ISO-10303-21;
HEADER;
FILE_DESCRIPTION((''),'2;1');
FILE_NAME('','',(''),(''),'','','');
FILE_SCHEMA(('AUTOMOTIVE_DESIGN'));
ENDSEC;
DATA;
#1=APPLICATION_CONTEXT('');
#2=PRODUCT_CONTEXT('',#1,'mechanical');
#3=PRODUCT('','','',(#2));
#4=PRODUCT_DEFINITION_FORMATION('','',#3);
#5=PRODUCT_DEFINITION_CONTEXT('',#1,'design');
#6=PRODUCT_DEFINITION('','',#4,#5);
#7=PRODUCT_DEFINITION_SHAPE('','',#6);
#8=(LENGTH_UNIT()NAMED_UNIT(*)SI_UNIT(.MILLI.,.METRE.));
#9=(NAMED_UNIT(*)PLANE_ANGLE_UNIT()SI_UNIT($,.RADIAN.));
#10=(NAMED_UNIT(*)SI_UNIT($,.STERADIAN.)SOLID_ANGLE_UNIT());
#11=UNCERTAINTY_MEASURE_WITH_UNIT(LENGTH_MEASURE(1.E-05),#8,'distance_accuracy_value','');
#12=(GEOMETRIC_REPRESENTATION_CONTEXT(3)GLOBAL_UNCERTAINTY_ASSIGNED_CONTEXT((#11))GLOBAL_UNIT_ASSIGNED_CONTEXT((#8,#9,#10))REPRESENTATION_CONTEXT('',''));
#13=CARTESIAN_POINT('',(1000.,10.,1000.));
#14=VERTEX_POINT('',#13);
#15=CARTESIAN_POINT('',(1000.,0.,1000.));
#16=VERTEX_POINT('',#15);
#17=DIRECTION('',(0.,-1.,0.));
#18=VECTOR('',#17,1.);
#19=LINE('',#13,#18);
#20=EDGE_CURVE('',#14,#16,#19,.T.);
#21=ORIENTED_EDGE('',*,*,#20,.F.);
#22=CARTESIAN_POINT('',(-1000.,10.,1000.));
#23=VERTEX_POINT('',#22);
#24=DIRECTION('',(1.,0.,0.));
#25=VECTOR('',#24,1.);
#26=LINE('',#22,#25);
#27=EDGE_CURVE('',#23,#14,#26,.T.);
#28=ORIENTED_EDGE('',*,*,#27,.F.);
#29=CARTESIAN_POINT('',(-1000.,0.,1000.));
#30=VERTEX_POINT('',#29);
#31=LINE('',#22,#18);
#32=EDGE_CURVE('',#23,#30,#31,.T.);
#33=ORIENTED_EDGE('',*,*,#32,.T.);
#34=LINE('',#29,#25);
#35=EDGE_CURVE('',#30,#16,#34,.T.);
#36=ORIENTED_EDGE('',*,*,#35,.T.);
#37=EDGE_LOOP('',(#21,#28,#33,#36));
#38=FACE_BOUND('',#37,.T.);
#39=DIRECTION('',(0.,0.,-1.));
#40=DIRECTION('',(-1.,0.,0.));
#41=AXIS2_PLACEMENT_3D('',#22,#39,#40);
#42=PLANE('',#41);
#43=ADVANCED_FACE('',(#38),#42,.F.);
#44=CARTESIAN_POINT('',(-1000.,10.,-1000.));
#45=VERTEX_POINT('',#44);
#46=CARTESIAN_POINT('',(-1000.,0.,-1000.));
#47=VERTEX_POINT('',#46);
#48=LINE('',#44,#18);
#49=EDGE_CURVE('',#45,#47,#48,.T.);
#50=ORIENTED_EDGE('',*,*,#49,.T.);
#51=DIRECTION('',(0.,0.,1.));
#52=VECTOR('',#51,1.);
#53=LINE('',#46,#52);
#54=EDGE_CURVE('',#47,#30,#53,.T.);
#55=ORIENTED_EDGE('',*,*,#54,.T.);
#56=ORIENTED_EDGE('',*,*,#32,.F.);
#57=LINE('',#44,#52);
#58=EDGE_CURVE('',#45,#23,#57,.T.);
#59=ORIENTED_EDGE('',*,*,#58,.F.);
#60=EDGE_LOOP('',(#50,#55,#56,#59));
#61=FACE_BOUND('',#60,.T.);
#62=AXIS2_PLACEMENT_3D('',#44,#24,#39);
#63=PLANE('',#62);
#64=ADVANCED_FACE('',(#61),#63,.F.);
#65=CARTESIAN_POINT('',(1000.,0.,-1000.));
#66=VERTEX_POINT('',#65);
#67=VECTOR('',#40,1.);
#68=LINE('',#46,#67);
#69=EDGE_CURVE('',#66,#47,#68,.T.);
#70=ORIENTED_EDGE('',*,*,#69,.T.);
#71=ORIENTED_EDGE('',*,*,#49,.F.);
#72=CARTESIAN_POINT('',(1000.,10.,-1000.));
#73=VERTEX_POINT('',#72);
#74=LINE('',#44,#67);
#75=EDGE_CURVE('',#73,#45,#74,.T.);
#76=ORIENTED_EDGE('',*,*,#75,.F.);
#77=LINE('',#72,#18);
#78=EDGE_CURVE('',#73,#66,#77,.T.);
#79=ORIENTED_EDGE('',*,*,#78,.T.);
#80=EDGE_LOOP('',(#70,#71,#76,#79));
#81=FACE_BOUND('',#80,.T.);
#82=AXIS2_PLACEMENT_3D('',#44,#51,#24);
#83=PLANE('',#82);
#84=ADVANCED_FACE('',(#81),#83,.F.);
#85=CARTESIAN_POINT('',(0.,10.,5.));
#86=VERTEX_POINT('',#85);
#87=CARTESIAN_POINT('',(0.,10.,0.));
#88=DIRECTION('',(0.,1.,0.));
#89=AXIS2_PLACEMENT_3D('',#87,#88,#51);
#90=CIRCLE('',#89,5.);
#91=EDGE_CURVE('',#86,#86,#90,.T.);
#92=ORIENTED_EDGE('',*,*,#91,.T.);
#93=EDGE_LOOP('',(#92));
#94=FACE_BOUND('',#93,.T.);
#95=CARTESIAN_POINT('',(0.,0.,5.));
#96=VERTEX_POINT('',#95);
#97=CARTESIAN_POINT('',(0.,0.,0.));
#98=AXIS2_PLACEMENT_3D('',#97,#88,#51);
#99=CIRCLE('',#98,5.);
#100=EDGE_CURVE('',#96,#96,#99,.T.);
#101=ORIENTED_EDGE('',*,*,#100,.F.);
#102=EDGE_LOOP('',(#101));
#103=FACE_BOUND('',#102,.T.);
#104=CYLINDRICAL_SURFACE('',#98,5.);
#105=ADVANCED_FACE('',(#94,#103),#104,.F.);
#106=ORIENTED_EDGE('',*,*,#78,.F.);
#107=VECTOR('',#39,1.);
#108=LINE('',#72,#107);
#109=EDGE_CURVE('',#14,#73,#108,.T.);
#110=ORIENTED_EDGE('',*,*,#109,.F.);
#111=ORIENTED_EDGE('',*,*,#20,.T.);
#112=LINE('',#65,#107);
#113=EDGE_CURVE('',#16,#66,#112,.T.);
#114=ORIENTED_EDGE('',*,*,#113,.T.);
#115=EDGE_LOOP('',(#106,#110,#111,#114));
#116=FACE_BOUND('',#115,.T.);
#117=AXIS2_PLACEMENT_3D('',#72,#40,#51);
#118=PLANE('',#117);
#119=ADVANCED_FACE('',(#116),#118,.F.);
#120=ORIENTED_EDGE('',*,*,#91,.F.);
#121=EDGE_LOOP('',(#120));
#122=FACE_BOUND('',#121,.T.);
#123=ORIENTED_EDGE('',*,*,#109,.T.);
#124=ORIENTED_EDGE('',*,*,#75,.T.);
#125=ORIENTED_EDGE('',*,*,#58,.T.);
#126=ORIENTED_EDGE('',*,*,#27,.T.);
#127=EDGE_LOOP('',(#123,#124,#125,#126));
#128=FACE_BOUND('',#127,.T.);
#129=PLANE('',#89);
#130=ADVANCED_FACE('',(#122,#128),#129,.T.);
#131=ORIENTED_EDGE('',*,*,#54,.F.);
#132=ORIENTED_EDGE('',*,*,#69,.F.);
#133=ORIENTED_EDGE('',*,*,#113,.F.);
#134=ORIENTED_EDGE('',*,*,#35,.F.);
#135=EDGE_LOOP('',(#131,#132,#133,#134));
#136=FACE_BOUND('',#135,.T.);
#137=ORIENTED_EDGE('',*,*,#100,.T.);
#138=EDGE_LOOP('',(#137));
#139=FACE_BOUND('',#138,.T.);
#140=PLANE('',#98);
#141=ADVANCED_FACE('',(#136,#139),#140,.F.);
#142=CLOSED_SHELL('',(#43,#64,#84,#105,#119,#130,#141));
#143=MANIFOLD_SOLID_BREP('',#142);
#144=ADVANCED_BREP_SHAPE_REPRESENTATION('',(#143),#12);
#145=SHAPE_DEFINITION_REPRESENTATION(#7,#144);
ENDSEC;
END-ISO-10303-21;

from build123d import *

# Parameters (mm, degrees)
SKETCH_1_W          = 2000
SKETCH_1_H          = 2000
EXTRUDE_1_DEPTH     = 10
SKETCH_2_R          = 5
CUT_EXTRUDE_1_DEPTH = 10


with BuildPart() as part:
    # 草圖1 → 填料-伸長1 (new body)
    with BuildSketch(Plane(origin=(0, 0, 0), x_dir=(1, 0, 0), z_dir=(0, 1, 0))):
        Rectangle(SKETCH_1_W, SKETCH_1_H)
    extrude(amount=EXTRUDE_1_DEPTH)

    # 草圖2 → 除料-伸長1 (cut)
    with BuildSketch(Plane(origin=(0, 10, 0), x_dir=(1, 0, 0), z_dir=(0, 1, 0))):
        with Locations(Location((0, 0, 0), (0, 0, 270))):
            Circle(SKETCH_2_R)
    extrude(amount=-CUT_EXTRUDE_1_DEPTH, mode=Mode.SUBTRACT)


solid = part.part
